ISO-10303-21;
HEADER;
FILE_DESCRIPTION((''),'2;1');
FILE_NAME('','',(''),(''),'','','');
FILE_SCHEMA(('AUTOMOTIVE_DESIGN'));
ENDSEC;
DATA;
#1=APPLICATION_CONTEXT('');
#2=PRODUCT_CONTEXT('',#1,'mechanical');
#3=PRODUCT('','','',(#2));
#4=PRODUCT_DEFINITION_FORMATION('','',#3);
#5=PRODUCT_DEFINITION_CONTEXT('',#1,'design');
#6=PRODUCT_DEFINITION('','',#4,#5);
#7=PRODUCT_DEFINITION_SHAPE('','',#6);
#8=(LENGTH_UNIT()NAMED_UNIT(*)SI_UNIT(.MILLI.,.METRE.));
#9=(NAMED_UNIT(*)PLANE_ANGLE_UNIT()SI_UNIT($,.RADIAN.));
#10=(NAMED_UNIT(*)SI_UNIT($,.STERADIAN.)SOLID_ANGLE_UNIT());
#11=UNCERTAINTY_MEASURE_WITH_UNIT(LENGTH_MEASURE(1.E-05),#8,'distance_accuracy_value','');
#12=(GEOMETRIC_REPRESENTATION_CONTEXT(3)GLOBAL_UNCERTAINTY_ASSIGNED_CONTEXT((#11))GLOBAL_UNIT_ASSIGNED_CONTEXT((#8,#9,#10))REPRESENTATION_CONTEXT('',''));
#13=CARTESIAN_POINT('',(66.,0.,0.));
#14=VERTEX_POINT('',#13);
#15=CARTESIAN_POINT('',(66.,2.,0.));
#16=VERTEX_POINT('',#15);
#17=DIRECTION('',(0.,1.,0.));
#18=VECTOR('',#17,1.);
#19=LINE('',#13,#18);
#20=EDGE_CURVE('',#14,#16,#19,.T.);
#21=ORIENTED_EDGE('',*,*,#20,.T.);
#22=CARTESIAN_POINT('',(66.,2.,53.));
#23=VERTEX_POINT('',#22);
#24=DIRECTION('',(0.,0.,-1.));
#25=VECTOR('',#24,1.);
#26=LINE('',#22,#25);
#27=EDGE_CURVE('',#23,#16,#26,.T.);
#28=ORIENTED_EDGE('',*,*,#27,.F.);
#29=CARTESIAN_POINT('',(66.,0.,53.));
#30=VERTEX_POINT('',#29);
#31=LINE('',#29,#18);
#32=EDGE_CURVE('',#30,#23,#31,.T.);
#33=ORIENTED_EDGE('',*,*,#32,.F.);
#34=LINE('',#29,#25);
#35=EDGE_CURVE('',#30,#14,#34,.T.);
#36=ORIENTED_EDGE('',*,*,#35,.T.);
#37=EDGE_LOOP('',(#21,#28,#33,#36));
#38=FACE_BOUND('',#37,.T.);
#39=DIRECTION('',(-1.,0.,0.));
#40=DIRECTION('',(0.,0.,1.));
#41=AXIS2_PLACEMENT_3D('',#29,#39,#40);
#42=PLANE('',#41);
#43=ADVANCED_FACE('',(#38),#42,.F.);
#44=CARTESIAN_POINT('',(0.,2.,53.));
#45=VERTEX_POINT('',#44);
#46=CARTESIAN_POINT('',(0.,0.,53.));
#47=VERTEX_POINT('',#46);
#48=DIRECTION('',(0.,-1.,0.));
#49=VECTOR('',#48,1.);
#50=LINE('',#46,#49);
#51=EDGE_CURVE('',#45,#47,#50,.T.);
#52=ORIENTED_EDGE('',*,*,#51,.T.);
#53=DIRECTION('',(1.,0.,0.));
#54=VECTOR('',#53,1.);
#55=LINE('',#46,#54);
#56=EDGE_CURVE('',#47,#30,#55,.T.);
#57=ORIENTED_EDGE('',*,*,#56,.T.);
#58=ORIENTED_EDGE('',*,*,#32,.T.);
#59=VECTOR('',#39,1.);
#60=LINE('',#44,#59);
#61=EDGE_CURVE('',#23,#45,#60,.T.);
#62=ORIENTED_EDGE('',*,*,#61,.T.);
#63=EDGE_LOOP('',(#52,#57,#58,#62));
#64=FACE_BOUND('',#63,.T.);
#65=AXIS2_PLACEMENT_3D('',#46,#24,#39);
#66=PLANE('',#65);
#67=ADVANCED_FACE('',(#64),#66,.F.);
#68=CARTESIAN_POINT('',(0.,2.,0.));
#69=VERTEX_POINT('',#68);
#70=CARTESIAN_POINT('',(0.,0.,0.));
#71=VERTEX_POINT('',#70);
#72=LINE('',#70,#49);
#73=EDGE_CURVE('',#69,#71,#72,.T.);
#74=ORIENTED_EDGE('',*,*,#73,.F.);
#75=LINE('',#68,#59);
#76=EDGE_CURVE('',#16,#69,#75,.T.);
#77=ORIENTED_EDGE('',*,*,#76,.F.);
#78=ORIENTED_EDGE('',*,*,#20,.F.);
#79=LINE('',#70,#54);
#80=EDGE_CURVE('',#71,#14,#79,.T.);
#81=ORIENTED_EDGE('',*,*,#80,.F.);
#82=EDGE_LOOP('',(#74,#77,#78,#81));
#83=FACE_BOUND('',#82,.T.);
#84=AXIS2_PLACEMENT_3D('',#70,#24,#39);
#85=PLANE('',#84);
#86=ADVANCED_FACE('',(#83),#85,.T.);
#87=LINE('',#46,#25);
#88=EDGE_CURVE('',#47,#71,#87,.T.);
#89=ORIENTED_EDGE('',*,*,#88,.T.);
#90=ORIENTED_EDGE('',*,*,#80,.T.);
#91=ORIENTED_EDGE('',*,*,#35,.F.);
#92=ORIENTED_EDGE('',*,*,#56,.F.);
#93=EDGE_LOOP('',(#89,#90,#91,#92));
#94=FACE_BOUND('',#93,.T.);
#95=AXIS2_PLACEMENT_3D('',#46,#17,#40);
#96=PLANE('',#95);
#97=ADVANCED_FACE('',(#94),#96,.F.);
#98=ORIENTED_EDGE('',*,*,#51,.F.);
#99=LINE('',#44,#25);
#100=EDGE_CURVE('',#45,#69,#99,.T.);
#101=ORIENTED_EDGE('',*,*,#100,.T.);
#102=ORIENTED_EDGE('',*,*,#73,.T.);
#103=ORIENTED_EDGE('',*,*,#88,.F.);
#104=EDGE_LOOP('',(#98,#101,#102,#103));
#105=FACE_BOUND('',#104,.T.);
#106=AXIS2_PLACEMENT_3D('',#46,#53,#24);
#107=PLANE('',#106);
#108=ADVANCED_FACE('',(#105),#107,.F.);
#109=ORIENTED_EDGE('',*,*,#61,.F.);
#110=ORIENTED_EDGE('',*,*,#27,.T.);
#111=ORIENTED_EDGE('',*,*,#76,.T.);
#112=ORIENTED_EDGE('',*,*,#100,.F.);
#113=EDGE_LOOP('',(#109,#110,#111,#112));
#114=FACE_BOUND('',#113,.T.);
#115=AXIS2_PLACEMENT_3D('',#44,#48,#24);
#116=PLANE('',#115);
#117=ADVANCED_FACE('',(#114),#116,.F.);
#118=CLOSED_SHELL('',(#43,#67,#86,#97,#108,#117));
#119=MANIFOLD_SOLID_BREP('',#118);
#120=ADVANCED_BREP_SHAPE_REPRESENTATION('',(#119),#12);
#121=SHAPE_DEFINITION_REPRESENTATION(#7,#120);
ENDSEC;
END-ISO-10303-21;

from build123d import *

# Parameters (mm, degrees)
SKETCH1_W     = 66
SKETCH1_H     = 2
PROFILE_DEPTH = 53


with BuildPart() as part:
    # Sketch1 → Profile (new body)
    with BuildSketch(Plane.XY):
        with Locations((33, 1)):
            Rectangle(SKETCH1_W, SKETCH1_H)
    extrude(amount=PROFILE_DEPTH)


solid = part.part
